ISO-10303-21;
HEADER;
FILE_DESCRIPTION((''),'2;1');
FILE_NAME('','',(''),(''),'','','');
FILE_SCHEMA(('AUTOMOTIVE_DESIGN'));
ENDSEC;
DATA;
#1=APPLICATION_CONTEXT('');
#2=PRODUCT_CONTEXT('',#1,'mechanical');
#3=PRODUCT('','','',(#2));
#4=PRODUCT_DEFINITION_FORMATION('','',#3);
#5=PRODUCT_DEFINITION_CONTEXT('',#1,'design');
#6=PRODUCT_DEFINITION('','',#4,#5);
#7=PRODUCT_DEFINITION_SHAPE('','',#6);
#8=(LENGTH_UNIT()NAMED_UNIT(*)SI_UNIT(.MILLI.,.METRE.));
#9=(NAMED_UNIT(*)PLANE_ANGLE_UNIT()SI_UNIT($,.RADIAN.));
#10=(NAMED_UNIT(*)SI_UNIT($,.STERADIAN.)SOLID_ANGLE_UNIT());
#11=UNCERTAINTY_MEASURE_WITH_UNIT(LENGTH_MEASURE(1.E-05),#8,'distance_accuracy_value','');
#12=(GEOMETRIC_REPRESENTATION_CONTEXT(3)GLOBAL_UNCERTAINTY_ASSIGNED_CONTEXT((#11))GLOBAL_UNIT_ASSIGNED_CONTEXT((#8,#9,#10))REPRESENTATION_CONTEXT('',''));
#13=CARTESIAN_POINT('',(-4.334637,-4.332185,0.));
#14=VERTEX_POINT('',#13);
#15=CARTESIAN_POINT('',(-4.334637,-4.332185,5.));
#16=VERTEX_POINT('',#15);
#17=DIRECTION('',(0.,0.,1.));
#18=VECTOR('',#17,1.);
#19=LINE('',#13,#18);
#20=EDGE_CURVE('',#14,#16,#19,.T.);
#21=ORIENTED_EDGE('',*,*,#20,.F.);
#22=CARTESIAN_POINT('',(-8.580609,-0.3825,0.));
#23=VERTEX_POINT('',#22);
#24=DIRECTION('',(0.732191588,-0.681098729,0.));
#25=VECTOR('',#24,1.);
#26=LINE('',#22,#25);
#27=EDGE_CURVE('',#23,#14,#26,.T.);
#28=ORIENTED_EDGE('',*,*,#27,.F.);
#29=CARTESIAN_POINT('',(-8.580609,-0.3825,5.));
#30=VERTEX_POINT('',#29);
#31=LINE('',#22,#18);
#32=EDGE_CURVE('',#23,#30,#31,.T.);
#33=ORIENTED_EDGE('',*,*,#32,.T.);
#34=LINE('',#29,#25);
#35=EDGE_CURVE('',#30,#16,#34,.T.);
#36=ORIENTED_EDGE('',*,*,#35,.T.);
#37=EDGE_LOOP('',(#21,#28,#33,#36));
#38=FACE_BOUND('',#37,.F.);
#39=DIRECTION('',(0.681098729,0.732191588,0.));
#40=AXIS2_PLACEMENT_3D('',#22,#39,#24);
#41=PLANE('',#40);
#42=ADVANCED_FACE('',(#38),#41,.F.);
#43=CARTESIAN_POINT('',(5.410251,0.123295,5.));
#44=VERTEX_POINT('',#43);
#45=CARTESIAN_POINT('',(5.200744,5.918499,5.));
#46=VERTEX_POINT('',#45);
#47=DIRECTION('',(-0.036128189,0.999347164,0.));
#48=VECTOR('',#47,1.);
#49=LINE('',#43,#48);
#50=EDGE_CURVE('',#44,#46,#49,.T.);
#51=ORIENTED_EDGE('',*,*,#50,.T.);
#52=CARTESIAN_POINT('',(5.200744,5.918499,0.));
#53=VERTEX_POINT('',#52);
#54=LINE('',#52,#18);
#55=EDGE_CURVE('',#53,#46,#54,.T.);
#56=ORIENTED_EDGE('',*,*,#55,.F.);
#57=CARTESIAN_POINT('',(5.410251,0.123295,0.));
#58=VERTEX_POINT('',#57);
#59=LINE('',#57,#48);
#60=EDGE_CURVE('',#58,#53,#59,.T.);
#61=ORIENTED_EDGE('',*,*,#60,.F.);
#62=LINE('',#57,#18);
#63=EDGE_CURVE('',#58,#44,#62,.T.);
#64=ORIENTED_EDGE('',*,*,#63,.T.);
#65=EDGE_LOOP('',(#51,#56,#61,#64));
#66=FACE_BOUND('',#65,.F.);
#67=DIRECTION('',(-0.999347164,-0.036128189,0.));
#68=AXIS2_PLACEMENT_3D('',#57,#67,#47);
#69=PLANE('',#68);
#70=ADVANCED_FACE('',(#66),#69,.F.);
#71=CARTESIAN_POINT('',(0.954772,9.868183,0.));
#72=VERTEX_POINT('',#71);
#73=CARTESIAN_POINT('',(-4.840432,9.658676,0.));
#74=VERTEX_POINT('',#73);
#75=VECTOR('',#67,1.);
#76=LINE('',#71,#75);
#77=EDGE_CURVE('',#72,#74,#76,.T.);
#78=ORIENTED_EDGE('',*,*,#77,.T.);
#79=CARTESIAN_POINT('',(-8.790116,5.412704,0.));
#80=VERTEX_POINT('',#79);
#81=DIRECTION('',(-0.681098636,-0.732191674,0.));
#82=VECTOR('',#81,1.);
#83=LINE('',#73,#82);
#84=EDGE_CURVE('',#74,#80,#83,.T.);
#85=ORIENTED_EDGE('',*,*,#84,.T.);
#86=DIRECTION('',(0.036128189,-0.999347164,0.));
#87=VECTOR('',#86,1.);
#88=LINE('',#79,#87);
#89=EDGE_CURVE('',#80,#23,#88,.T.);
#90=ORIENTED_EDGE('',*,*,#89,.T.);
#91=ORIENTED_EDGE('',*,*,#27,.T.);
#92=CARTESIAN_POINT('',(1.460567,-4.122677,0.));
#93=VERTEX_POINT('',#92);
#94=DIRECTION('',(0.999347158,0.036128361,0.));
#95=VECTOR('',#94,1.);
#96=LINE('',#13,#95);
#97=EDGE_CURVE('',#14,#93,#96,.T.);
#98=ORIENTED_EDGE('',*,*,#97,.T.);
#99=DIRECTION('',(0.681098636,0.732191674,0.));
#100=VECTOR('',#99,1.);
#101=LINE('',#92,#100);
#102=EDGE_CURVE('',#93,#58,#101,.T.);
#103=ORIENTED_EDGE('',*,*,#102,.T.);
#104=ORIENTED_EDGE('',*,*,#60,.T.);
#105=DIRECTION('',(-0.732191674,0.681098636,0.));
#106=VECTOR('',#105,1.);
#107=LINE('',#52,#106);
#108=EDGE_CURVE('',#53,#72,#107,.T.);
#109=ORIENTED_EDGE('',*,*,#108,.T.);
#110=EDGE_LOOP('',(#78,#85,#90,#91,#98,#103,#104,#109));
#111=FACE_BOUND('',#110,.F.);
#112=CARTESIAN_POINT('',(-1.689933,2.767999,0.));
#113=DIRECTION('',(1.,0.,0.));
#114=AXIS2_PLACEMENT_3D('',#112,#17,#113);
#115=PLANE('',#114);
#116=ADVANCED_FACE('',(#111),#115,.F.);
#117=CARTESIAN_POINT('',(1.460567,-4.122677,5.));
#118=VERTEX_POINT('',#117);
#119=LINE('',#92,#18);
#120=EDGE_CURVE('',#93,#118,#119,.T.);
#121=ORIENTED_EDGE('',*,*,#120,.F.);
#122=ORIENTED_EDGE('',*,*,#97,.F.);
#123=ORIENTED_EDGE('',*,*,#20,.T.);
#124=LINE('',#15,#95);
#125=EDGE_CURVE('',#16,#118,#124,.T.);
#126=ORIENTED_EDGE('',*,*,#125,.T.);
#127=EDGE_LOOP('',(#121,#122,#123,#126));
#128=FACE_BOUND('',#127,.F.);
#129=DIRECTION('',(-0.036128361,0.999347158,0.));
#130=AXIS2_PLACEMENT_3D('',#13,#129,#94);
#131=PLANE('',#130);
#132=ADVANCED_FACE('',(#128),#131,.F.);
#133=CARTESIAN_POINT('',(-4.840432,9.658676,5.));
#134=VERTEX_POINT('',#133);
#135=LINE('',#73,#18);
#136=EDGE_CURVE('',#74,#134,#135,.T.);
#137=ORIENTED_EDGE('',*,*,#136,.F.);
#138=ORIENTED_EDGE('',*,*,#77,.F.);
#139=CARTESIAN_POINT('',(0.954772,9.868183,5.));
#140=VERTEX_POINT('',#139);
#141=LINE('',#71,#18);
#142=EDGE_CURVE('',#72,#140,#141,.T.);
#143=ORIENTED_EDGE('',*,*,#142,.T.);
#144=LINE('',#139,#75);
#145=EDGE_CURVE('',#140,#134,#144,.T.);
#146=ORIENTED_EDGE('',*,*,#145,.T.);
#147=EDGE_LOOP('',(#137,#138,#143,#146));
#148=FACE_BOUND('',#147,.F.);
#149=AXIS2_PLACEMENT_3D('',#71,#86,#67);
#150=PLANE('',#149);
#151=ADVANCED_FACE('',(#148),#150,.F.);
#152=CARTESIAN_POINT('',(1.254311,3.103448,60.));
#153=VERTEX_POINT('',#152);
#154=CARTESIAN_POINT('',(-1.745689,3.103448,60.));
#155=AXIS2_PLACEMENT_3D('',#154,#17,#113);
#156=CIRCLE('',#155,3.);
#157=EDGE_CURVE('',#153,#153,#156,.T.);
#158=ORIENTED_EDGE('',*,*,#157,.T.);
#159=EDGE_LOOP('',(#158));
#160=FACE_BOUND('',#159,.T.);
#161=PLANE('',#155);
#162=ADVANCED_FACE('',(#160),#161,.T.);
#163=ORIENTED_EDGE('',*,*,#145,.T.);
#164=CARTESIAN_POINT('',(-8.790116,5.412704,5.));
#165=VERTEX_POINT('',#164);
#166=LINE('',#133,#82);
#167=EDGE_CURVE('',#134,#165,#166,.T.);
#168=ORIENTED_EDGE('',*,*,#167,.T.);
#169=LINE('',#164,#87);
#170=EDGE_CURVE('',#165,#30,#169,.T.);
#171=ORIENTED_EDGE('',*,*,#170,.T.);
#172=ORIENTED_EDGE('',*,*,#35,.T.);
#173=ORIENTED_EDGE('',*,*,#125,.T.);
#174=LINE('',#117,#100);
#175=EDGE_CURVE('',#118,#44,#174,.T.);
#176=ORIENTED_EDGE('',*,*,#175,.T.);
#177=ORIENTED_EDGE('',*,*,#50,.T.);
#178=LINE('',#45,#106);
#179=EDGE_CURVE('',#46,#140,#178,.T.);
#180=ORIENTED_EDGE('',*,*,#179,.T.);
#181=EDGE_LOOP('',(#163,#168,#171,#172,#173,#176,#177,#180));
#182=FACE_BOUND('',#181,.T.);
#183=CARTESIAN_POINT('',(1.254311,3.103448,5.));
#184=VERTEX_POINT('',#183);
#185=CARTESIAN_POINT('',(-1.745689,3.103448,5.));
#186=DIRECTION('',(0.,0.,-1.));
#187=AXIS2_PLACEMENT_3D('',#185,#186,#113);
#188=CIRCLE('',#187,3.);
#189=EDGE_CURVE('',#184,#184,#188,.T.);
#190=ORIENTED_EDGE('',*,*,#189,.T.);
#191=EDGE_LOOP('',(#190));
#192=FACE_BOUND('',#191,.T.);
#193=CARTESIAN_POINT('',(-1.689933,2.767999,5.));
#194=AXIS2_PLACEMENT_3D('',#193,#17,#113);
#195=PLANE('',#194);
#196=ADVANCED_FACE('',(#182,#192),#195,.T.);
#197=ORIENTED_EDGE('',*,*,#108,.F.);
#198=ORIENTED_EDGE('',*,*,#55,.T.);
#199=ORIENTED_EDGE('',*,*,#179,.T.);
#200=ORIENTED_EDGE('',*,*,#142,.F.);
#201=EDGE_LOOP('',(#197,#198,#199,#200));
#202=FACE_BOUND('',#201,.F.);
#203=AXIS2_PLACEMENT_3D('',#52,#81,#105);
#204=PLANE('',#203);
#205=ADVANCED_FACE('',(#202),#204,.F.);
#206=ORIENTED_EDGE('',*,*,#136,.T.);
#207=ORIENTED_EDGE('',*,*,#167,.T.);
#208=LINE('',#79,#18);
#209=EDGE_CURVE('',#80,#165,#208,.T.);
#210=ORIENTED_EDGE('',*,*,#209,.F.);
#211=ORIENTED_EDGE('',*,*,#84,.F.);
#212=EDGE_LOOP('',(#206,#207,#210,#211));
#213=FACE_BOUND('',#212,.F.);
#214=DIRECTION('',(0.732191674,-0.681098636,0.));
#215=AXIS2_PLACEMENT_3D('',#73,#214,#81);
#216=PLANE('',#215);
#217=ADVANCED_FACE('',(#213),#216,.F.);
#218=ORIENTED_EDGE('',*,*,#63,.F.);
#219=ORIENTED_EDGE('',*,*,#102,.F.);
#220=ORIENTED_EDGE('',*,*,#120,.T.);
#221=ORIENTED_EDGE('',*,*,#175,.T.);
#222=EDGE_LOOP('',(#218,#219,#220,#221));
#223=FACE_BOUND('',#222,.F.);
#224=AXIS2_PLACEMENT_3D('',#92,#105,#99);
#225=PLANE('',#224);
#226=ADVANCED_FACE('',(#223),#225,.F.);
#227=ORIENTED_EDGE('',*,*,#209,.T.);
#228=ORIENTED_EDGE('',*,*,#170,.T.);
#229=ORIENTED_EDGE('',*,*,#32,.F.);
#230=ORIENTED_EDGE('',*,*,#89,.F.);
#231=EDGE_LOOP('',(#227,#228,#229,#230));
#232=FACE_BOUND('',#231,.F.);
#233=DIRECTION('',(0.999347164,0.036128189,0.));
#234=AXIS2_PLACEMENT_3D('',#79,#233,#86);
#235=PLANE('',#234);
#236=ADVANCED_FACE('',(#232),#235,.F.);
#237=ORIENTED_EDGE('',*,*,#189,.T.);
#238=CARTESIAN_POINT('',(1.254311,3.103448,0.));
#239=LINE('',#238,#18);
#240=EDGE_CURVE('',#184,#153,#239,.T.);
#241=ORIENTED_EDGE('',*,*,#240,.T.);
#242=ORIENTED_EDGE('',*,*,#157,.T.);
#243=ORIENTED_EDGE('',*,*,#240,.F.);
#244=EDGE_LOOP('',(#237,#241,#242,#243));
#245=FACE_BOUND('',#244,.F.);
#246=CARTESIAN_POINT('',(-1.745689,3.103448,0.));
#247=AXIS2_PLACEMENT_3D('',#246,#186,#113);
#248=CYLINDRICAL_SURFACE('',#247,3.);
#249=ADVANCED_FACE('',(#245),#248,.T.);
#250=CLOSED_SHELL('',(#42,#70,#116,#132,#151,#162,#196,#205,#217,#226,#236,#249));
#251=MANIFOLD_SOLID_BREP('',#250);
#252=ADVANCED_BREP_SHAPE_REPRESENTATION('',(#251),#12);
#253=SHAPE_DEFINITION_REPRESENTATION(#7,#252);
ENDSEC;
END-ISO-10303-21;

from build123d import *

# Parameters (mm, degrees)
F0_R     = 3
F1_DEPTH = 60
F3_DEPTH = 5


with BuildPart() as f1:
    # F0 (on Top) → F1 (new body)
    with BuildSketch(Plane.XY):
        with Locations((-1.745689, 3.103448)):
            Circle(F0_R)
    extrude(amount=F1_DEPTH)

    # F2 (on Top) → F3 (join)
    with BuildSketch(Plane.XY):
        Polygon((5.200744, 5.918499), (0.954772, 9.868183), (-4.840432, 9.658676), (-8.790116, 5.412704), (-8.580609, -0.3825), (-4.334637, -4.332185), (1.460567, -4.122677), (5.410251, 0.123295), align=None)
    extrude(amount=F3_DEPTH)


solid = f1.part
